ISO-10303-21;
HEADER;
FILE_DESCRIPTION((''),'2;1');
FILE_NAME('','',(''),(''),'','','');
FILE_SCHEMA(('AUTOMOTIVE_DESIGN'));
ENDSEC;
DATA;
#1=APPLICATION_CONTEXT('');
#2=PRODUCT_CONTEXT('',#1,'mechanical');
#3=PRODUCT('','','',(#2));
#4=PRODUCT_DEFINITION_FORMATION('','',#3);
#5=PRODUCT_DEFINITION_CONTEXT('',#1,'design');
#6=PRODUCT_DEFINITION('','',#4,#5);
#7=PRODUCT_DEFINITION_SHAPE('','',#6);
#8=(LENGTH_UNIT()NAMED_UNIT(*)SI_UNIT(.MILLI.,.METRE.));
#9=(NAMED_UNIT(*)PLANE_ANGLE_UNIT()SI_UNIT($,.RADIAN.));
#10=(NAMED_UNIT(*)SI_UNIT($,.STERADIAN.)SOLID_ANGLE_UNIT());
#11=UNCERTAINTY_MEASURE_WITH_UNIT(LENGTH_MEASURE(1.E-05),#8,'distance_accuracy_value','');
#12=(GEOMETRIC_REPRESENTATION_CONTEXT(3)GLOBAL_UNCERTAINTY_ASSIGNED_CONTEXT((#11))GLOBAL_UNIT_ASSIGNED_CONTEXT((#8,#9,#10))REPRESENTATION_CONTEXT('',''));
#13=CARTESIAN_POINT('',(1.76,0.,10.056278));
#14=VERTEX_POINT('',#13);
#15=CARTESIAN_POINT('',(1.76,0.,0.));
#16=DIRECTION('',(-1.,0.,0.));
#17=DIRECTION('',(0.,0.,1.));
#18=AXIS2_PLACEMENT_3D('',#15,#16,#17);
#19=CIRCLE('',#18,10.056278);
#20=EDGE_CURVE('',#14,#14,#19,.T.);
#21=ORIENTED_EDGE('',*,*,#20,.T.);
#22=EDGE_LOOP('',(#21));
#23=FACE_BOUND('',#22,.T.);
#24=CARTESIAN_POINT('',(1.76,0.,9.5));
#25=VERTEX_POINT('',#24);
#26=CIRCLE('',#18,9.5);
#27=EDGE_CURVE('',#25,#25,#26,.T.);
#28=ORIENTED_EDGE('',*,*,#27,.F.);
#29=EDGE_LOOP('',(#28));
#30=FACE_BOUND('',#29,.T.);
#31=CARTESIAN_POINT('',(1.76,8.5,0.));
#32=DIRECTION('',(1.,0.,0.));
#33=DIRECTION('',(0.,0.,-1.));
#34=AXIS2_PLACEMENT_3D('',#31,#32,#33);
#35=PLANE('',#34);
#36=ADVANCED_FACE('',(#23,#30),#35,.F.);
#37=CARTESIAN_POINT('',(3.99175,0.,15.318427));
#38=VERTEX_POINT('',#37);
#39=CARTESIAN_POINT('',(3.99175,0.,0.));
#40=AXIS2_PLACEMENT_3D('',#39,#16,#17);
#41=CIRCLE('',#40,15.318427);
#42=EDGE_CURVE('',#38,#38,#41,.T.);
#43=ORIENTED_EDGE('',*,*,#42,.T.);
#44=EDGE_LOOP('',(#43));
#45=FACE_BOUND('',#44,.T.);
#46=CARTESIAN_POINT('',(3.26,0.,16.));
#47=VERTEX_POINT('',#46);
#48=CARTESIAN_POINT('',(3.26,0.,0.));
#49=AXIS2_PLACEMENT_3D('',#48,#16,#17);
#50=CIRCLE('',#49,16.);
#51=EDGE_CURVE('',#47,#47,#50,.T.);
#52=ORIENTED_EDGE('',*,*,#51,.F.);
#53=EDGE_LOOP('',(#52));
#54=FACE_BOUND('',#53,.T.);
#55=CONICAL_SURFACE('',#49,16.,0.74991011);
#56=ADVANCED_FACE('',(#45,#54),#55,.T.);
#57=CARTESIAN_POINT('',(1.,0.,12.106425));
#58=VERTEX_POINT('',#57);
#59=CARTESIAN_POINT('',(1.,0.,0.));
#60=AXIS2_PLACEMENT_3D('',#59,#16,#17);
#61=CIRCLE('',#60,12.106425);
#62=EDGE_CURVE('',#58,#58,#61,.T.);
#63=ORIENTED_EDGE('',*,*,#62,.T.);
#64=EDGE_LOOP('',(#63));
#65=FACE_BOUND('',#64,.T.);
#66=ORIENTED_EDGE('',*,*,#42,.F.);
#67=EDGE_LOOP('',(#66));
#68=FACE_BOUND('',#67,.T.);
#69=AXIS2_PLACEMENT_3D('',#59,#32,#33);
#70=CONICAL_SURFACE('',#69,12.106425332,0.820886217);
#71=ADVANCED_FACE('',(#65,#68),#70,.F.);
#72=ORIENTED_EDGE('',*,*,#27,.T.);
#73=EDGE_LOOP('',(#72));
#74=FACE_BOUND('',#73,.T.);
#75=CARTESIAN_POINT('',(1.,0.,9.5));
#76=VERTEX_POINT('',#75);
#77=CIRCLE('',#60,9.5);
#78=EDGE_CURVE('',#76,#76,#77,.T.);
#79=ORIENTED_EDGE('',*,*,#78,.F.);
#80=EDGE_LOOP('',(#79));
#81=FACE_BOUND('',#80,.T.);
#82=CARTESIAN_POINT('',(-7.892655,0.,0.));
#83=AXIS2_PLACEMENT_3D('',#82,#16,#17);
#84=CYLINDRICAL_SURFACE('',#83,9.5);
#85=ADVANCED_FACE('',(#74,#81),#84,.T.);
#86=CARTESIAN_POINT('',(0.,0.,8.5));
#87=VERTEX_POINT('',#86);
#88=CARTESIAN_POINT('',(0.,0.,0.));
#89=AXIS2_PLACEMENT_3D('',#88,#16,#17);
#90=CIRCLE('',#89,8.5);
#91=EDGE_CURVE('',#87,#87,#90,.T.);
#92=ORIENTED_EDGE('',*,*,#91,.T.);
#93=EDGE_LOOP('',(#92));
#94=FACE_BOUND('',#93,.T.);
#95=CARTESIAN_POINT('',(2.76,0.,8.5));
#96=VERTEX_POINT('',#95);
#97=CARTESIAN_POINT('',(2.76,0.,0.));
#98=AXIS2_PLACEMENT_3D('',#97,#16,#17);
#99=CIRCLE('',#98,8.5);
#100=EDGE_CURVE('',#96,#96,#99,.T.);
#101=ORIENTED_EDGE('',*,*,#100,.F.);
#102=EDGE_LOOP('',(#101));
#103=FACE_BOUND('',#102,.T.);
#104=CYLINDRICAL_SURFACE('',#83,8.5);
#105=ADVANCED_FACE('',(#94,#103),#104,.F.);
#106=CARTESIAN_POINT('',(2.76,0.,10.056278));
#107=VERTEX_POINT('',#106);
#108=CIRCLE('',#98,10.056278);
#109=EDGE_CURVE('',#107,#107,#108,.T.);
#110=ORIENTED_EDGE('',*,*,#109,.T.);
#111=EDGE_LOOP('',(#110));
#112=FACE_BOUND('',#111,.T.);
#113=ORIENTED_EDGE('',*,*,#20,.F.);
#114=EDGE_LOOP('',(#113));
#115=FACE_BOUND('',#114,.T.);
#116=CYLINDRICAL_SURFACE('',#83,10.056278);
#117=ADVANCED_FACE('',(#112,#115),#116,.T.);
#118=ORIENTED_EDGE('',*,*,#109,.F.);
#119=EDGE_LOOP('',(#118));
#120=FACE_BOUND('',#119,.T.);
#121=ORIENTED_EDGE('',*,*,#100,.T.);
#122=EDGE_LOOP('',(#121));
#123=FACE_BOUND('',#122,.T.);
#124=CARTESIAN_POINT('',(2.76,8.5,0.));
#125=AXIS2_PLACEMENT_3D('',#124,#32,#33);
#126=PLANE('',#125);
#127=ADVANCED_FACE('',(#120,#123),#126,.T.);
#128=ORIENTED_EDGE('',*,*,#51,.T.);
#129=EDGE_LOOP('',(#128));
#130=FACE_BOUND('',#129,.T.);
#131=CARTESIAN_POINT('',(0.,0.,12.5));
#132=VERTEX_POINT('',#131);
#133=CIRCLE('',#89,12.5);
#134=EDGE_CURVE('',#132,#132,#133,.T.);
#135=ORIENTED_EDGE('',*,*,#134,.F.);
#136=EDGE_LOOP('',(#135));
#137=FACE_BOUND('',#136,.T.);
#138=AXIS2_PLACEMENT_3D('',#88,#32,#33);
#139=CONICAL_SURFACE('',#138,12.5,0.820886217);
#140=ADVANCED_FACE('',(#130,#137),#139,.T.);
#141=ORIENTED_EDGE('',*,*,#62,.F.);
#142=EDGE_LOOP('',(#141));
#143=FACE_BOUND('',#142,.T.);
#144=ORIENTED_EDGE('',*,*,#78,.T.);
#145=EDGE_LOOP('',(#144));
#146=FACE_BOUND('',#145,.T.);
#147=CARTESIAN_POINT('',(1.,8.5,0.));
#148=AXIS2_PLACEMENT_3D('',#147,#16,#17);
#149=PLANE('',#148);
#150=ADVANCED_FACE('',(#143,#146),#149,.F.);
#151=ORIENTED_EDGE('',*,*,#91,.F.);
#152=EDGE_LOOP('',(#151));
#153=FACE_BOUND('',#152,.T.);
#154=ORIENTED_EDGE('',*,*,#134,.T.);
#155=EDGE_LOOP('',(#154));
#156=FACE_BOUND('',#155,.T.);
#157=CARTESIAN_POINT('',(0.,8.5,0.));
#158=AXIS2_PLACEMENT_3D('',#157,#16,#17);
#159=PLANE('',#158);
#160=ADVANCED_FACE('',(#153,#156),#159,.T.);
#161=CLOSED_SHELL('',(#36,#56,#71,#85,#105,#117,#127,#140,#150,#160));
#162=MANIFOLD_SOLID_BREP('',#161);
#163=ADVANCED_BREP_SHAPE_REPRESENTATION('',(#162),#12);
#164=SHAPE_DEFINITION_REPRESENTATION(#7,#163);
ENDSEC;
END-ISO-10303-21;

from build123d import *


with BuildPart() as part:
    # Esquisse1 → Révol.-Mince2 (revolve)
    with BuildSketch(Plane.XY, mode=Mode.PRIVATE) as r_vol_mince2_sk:
        Polygon((2.76, 10.056278032), (2.76, 8.5), (0, 8.5), (0, 12.5), (3.26, 16), (3.991750138, 15.318427014), (1, 12.106425332), (1, 9.5), (1.76, 9.5), (1.76, 10.056278032), align=None)
    revolve(r_vol_mince2_sk.sketch.rotate(Axis((-7.892655367, 0, 0), (1, 0, 0)), 90), axis=Axis((-7.892655367, 0, 0), (1, 0, 0)))


solid = part.part
